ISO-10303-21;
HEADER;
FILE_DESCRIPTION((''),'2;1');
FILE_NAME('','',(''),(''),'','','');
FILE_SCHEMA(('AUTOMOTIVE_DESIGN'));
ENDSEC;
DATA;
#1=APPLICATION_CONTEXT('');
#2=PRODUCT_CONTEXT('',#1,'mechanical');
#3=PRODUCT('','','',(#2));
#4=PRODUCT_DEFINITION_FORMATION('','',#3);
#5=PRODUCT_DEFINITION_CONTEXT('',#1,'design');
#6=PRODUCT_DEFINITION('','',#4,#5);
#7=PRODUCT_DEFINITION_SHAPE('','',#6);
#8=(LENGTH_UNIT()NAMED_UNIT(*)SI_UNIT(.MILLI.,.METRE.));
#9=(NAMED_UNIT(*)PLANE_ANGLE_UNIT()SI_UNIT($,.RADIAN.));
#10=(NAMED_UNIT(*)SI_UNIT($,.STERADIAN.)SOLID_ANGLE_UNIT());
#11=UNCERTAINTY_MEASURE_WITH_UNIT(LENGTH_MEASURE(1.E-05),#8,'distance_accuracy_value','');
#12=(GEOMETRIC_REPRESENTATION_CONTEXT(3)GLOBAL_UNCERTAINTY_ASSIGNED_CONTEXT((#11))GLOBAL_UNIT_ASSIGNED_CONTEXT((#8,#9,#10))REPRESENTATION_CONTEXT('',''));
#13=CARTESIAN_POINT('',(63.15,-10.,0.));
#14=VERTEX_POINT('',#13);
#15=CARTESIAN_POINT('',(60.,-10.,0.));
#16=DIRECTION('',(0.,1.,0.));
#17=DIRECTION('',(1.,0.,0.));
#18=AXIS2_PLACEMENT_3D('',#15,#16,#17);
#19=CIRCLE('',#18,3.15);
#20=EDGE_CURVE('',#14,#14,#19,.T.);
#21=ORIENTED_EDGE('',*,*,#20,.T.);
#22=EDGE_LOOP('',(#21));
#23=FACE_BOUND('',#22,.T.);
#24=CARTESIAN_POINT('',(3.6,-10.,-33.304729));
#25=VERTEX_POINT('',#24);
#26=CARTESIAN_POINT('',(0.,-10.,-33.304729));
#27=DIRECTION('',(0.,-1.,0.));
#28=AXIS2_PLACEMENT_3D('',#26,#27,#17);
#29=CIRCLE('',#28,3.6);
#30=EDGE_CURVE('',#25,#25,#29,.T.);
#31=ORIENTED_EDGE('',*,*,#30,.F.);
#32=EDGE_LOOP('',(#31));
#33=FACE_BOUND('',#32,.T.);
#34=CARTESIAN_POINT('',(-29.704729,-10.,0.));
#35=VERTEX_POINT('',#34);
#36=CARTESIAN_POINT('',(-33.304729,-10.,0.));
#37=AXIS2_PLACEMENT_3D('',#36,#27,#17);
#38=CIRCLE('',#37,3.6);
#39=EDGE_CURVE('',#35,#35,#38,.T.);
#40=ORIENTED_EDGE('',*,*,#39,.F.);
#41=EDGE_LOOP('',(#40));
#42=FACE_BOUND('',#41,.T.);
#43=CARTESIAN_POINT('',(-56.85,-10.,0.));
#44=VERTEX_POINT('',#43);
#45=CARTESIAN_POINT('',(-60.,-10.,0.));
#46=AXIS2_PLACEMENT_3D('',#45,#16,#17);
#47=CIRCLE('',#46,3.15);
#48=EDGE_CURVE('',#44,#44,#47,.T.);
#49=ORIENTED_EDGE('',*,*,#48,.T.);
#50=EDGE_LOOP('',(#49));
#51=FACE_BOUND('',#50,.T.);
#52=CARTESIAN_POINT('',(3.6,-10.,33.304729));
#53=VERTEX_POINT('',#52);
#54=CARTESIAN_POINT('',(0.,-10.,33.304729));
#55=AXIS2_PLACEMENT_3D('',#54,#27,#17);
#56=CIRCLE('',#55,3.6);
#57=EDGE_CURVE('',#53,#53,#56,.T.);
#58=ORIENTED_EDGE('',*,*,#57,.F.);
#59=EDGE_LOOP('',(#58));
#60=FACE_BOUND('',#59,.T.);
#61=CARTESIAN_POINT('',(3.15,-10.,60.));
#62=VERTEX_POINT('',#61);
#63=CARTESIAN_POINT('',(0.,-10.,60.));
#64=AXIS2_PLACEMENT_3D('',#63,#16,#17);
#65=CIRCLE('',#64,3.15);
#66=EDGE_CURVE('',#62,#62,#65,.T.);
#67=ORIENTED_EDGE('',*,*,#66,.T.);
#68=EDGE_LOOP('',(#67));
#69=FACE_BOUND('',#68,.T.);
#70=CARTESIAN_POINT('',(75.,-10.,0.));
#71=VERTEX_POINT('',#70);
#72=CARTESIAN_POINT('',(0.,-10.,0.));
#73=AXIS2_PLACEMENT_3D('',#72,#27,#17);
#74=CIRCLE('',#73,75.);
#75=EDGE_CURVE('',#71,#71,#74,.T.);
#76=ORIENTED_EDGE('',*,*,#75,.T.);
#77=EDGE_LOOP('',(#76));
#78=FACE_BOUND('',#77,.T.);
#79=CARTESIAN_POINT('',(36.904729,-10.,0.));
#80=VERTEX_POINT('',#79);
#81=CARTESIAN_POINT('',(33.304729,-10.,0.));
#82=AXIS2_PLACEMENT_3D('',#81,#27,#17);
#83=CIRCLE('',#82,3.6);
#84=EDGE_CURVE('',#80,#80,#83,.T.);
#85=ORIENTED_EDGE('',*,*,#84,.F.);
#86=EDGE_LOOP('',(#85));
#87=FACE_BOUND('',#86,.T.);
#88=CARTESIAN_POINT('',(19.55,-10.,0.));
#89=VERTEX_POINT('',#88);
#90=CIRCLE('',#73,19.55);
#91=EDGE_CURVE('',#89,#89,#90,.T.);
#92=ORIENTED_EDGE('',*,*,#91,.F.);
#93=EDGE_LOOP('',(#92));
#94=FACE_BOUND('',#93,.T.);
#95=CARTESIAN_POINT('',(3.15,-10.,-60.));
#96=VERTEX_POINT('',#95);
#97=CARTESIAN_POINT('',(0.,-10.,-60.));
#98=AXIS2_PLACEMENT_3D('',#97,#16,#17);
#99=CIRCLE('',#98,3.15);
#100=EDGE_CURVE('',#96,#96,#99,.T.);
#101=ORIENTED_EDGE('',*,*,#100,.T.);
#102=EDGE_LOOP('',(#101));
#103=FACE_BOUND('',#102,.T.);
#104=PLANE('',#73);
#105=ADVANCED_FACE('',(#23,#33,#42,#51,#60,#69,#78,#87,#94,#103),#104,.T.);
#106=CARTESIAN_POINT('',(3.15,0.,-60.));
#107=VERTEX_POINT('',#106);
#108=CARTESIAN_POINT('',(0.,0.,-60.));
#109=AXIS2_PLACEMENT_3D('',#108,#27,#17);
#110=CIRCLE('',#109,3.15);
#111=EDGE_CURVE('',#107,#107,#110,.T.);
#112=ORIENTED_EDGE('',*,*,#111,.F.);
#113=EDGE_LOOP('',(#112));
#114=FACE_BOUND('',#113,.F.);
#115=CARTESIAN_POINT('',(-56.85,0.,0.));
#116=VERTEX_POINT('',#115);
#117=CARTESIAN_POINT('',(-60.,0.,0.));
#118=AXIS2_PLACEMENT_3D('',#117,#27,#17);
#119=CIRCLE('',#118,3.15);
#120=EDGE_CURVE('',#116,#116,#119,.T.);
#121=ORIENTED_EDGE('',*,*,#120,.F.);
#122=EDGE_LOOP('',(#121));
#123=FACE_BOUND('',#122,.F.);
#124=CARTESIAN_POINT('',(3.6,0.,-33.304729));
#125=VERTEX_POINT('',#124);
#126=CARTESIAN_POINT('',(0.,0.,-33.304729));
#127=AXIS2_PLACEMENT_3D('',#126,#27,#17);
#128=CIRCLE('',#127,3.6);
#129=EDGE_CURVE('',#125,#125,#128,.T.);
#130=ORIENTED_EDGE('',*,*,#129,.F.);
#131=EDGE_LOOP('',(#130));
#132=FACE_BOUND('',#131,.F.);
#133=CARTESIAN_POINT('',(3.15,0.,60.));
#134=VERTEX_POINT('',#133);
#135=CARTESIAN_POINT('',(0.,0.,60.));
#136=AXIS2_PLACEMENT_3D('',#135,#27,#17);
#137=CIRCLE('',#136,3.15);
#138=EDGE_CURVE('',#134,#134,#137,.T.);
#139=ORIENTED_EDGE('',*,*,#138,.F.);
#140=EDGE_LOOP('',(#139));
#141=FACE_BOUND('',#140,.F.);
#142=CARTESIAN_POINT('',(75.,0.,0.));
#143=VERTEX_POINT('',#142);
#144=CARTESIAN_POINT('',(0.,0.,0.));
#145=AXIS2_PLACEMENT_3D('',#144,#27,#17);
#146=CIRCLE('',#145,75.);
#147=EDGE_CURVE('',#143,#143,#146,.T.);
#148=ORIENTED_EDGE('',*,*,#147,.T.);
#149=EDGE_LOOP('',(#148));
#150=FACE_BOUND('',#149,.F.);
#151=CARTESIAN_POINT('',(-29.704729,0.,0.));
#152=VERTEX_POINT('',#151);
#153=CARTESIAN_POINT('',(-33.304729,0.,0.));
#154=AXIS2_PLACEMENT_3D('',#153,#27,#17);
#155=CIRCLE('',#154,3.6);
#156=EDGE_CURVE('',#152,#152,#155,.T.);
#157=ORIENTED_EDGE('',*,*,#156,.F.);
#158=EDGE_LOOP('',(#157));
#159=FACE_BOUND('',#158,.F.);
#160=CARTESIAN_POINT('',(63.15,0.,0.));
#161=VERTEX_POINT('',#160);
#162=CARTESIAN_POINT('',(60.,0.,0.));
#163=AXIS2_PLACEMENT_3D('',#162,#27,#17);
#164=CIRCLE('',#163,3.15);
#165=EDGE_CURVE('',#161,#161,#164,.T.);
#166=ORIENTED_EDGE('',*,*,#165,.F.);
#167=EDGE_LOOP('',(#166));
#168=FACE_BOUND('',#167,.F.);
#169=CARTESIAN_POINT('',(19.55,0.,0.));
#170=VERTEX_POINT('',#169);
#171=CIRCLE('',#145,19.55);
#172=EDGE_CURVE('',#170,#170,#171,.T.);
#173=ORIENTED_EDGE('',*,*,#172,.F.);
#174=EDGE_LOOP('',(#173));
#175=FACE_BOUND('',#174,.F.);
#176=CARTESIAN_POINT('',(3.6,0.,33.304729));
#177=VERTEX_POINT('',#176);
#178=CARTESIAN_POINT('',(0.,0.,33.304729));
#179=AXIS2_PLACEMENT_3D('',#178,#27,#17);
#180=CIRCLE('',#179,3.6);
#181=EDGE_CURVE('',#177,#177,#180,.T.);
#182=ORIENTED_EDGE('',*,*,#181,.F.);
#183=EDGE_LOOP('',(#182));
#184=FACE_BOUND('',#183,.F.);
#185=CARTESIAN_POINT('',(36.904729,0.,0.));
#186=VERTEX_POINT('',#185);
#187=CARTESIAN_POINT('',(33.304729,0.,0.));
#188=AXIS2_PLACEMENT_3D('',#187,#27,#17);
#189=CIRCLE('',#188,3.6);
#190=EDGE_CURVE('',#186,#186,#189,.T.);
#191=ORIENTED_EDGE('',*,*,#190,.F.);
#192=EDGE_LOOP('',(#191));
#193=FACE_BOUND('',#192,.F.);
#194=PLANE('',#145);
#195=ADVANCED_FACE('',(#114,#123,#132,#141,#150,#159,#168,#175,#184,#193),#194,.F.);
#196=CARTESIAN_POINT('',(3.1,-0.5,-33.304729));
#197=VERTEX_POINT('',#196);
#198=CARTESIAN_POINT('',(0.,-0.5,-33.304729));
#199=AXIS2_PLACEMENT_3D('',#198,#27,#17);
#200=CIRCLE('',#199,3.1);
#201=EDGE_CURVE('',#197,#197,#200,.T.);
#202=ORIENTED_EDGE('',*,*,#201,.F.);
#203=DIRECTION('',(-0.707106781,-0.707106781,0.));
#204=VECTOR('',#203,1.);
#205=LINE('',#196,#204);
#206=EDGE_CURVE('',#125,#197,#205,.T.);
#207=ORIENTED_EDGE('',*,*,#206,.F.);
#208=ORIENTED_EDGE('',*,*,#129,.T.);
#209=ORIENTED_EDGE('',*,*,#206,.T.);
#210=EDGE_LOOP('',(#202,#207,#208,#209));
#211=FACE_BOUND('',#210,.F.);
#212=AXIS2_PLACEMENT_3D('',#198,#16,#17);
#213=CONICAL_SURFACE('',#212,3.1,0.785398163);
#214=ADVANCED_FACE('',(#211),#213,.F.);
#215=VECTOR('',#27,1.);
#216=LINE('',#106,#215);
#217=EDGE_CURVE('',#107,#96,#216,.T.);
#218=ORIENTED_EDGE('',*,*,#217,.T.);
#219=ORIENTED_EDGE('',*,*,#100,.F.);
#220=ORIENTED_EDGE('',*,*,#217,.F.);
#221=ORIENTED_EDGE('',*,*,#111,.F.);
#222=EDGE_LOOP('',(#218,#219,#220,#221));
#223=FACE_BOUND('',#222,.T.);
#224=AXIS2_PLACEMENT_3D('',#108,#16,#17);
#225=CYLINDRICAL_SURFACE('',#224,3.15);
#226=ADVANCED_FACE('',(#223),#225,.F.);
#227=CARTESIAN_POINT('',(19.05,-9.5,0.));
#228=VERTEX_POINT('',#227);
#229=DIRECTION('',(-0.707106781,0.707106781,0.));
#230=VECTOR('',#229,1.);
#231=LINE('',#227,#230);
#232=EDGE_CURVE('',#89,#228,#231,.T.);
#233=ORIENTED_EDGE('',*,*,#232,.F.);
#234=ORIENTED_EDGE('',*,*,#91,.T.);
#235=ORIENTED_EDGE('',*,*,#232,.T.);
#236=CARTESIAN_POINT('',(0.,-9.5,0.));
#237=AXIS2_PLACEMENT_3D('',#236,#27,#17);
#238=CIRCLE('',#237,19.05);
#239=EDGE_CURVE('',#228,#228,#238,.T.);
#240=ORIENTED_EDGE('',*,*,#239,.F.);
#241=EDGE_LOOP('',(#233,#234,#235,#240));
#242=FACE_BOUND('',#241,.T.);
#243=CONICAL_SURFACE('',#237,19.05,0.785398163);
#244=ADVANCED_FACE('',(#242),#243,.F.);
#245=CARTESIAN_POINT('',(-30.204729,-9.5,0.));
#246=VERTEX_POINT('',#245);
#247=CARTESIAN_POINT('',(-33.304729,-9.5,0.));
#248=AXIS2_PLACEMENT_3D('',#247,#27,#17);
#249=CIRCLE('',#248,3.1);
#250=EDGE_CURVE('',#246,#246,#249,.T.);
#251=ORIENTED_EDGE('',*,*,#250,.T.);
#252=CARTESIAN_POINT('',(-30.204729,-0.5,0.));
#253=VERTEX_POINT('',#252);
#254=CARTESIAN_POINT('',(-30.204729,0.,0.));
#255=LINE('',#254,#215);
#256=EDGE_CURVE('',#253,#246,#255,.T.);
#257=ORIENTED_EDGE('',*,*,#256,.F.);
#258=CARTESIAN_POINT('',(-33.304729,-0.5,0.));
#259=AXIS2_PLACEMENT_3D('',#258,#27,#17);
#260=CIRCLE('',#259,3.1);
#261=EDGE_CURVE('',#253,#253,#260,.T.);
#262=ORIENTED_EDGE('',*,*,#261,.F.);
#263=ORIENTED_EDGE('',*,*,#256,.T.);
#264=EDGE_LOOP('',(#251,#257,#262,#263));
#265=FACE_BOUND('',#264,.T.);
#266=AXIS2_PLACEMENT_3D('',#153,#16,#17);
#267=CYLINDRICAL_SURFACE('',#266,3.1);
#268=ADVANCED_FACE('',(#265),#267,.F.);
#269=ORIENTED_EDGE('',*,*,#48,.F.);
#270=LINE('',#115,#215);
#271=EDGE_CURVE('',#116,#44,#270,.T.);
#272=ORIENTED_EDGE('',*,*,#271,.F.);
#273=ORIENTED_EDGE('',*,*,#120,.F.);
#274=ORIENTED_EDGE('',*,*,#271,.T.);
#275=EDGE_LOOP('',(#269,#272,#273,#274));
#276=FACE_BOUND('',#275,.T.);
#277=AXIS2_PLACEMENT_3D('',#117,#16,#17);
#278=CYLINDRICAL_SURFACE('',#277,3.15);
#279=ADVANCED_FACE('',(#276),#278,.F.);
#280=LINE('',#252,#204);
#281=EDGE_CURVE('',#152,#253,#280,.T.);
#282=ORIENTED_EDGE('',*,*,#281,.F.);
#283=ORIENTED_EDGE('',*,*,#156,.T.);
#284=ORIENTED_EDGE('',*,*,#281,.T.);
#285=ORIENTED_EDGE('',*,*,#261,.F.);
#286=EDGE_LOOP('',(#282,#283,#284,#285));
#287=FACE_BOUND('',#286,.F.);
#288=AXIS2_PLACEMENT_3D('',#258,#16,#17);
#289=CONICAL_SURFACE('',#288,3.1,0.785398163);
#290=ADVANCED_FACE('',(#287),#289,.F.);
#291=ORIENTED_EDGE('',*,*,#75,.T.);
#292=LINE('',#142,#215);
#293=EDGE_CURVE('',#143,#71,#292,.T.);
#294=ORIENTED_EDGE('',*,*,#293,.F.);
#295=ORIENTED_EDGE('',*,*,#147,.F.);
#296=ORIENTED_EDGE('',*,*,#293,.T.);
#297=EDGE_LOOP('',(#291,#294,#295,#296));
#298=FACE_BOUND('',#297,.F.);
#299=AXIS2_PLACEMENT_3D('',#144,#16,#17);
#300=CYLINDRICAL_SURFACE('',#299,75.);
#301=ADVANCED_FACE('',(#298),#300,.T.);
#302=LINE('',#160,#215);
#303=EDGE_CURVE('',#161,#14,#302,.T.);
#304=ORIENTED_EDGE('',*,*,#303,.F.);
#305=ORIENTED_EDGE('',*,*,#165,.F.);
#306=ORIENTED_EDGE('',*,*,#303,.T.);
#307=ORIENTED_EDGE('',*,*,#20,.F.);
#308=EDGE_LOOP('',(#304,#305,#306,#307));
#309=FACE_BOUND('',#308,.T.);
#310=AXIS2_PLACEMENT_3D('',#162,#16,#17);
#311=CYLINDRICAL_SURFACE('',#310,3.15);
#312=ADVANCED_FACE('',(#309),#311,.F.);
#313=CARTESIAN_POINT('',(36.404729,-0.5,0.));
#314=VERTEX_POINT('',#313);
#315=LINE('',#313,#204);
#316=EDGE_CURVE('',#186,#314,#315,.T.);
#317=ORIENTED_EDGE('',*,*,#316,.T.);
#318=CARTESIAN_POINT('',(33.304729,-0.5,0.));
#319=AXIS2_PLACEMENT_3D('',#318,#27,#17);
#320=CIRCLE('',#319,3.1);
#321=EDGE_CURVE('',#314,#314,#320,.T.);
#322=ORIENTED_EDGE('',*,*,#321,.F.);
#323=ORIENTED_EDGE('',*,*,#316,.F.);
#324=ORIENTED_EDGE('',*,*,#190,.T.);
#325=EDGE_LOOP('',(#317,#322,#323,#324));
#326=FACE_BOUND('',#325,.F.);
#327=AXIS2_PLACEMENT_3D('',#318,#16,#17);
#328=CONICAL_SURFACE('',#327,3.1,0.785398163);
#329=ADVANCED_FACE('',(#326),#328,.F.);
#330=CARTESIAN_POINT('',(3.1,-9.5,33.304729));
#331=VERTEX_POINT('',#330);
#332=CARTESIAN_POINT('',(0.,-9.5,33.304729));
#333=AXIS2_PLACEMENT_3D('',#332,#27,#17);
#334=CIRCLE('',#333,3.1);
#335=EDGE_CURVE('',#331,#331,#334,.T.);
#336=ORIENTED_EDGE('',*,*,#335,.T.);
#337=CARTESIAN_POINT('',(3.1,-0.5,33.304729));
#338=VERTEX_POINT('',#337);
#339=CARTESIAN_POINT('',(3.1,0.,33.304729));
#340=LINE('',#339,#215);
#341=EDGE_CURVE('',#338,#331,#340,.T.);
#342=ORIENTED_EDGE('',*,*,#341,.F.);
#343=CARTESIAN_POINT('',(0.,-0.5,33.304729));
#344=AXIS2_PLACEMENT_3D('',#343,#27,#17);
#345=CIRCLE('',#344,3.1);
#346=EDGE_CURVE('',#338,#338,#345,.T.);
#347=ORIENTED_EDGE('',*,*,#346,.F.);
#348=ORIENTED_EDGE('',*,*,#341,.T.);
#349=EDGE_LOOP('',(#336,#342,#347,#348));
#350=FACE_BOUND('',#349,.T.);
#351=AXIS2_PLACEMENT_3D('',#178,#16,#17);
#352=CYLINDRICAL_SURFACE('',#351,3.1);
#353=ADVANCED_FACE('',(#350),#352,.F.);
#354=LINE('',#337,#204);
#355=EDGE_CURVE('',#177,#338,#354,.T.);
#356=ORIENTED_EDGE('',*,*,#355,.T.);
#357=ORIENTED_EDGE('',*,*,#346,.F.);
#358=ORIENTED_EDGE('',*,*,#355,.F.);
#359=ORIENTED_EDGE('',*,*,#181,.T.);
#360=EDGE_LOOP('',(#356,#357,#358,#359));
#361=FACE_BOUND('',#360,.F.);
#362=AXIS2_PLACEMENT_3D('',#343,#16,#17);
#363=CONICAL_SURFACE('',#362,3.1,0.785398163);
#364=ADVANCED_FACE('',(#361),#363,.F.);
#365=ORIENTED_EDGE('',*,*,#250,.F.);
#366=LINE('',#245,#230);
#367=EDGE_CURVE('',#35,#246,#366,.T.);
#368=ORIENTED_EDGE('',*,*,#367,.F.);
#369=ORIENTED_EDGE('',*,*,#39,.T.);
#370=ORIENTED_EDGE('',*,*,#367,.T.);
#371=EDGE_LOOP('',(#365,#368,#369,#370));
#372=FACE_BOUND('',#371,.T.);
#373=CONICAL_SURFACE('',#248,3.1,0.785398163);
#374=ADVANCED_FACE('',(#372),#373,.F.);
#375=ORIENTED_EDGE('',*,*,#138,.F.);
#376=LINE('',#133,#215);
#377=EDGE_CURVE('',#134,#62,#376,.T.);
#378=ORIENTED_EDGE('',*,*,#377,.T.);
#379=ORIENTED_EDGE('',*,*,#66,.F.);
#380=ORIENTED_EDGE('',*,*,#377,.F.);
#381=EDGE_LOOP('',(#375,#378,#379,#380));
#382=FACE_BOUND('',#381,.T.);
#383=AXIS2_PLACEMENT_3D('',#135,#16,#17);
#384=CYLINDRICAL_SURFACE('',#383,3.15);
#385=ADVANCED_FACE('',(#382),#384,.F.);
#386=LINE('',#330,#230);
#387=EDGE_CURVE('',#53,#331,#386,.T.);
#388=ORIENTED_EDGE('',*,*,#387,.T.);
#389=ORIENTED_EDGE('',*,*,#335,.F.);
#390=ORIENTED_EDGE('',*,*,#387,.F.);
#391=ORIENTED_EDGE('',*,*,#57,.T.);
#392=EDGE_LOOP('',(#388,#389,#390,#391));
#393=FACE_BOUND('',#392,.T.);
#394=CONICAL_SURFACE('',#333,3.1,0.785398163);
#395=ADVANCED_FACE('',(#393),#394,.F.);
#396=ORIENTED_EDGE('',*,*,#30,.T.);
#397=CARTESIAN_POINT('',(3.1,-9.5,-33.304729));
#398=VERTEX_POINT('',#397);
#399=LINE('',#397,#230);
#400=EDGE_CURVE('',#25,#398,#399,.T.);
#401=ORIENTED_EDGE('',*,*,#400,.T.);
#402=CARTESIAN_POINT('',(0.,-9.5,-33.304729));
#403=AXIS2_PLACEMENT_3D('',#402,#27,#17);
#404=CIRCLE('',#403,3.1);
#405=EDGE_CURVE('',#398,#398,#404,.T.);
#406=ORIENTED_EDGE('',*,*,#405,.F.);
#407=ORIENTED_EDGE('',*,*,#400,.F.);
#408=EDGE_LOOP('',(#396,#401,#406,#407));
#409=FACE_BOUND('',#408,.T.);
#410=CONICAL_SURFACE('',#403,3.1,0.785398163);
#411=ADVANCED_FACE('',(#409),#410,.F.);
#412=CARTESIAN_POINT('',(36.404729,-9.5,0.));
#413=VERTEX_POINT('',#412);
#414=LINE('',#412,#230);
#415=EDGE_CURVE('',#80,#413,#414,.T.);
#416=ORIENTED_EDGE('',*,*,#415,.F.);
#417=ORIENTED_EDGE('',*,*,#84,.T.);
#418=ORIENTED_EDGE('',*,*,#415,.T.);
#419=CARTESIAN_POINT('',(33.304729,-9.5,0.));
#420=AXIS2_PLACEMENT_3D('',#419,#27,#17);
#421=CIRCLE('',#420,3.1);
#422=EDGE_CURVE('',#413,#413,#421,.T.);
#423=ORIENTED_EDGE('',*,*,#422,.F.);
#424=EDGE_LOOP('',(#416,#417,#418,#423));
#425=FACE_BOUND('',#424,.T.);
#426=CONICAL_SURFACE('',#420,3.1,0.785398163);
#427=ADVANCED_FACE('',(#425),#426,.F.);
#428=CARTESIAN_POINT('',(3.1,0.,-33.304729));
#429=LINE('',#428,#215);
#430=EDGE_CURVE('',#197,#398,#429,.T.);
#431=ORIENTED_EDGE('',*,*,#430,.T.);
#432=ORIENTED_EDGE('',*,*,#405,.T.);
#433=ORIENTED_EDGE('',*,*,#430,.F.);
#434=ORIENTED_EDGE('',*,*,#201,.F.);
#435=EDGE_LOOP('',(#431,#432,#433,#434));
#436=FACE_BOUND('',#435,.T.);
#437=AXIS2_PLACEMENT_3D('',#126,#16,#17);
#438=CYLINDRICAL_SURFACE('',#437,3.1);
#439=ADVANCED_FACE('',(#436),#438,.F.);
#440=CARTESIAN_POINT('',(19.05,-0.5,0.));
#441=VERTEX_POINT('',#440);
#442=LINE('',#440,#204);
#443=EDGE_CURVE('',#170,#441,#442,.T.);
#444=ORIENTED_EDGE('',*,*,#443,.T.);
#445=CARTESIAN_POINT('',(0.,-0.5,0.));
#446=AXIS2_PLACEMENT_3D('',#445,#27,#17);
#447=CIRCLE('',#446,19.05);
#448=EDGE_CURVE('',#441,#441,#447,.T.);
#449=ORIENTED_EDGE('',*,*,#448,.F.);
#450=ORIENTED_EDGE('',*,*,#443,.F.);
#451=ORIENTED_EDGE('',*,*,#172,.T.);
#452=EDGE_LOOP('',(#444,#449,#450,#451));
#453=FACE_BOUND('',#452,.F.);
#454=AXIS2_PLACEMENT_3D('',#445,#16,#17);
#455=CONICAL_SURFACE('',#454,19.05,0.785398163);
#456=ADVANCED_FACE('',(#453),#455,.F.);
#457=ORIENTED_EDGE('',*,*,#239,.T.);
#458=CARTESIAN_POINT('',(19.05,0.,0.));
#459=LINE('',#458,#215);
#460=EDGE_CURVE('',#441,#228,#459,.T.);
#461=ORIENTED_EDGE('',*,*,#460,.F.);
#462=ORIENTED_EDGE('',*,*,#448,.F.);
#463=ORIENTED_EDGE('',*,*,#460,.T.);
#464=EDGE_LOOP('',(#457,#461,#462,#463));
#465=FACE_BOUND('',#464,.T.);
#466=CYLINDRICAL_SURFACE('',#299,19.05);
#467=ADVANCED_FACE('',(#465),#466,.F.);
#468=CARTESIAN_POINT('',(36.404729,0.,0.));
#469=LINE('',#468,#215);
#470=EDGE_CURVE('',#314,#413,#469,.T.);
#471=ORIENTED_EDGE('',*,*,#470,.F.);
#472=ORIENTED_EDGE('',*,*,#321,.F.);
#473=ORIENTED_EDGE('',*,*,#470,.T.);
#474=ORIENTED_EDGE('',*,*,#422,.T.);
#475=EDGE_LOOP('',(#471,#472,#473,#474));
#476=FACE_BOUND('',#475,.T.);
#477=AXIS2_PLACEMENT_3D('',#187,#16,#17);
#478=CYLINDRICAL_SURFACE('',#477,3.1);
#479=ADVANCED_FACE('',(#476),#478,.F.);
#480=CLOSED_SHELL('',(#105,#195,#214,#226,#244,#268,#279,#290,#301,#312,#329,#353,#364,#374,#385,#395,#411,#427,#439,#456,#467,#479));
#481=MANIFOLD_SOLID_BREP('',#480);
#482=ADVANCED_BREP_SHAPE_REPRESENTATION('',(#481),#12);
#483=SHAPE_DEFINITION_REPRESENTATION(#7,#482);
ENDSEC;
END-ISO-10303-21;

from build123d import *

# Parameters (mm, degrees)
F0_R     = 75
F0_R_2   = 19.05
F1_DEPTH = 10
F2_R     = 3.1
F3_DEPTH = 10
F4_SIZE  = 0.5
F5_R     = 3.15
F6_DEPTH = 25


with BuildPart() as f1:
    # F0 (on Front) → F1 (new body)
    with BuildSketch(Plane.XZ):
        Circle(F0_R)
        Circle(F0_R_2, mode=Mode.SUBTRACT)
    extrude(amount=F1_DEPTH)

    # F2 (on face) → F3 (cut, through all)
    with BuildSketch(Plane.XZ):
        with Locations((0, 33.3047293939)):
            Circle(F2_R)
        with Locations((33.3047293939, 0)):
            Circle(F2_R)
        with Locations((0, -33.3047293939)):
            Circle(F2_R)
        with Locations((-33.3047293939, 0)):
            Circle(F2_R)
    extrude(amount=F3_DEPTH, mode=Mode.SUBTRACT)

    # F4
    f4_edges = [f1.edges().sort_by_distance(p)[0] for p in [
        (-36.404729, -10, 0),
        (-3.1, -10, 33.304729),
        (30.204729, -10, 0),
        (-3.1, -10, -33.304729),
        (-3.1, 0, -33.304729),
        (-36.404729, 0, 0),
        (-3.1, 0, 33.304729),
        (30.204729, 0, 0),
        (-19.05, 0, 0),
        (-19.05, -10, 0),
    ]]
    chamfer(f4_edges, length=F4_SIZE)

    # F5 (on face) → F6 (cut)
    with BuildSketch(Plane.XZ):
        with Locations((60, 0)):
            Circle(F5_R)
        with Locations((0, 60)):
            Circle(F5_R)
        with Locations((-60, 0)):
            Circle(F5_R)
        with Locations((0, -60)):
            Circle(F5_R)
    extrude(amount=F6_DEPTH, mode=Mode.SUBTRACT)


solid = f1.part
